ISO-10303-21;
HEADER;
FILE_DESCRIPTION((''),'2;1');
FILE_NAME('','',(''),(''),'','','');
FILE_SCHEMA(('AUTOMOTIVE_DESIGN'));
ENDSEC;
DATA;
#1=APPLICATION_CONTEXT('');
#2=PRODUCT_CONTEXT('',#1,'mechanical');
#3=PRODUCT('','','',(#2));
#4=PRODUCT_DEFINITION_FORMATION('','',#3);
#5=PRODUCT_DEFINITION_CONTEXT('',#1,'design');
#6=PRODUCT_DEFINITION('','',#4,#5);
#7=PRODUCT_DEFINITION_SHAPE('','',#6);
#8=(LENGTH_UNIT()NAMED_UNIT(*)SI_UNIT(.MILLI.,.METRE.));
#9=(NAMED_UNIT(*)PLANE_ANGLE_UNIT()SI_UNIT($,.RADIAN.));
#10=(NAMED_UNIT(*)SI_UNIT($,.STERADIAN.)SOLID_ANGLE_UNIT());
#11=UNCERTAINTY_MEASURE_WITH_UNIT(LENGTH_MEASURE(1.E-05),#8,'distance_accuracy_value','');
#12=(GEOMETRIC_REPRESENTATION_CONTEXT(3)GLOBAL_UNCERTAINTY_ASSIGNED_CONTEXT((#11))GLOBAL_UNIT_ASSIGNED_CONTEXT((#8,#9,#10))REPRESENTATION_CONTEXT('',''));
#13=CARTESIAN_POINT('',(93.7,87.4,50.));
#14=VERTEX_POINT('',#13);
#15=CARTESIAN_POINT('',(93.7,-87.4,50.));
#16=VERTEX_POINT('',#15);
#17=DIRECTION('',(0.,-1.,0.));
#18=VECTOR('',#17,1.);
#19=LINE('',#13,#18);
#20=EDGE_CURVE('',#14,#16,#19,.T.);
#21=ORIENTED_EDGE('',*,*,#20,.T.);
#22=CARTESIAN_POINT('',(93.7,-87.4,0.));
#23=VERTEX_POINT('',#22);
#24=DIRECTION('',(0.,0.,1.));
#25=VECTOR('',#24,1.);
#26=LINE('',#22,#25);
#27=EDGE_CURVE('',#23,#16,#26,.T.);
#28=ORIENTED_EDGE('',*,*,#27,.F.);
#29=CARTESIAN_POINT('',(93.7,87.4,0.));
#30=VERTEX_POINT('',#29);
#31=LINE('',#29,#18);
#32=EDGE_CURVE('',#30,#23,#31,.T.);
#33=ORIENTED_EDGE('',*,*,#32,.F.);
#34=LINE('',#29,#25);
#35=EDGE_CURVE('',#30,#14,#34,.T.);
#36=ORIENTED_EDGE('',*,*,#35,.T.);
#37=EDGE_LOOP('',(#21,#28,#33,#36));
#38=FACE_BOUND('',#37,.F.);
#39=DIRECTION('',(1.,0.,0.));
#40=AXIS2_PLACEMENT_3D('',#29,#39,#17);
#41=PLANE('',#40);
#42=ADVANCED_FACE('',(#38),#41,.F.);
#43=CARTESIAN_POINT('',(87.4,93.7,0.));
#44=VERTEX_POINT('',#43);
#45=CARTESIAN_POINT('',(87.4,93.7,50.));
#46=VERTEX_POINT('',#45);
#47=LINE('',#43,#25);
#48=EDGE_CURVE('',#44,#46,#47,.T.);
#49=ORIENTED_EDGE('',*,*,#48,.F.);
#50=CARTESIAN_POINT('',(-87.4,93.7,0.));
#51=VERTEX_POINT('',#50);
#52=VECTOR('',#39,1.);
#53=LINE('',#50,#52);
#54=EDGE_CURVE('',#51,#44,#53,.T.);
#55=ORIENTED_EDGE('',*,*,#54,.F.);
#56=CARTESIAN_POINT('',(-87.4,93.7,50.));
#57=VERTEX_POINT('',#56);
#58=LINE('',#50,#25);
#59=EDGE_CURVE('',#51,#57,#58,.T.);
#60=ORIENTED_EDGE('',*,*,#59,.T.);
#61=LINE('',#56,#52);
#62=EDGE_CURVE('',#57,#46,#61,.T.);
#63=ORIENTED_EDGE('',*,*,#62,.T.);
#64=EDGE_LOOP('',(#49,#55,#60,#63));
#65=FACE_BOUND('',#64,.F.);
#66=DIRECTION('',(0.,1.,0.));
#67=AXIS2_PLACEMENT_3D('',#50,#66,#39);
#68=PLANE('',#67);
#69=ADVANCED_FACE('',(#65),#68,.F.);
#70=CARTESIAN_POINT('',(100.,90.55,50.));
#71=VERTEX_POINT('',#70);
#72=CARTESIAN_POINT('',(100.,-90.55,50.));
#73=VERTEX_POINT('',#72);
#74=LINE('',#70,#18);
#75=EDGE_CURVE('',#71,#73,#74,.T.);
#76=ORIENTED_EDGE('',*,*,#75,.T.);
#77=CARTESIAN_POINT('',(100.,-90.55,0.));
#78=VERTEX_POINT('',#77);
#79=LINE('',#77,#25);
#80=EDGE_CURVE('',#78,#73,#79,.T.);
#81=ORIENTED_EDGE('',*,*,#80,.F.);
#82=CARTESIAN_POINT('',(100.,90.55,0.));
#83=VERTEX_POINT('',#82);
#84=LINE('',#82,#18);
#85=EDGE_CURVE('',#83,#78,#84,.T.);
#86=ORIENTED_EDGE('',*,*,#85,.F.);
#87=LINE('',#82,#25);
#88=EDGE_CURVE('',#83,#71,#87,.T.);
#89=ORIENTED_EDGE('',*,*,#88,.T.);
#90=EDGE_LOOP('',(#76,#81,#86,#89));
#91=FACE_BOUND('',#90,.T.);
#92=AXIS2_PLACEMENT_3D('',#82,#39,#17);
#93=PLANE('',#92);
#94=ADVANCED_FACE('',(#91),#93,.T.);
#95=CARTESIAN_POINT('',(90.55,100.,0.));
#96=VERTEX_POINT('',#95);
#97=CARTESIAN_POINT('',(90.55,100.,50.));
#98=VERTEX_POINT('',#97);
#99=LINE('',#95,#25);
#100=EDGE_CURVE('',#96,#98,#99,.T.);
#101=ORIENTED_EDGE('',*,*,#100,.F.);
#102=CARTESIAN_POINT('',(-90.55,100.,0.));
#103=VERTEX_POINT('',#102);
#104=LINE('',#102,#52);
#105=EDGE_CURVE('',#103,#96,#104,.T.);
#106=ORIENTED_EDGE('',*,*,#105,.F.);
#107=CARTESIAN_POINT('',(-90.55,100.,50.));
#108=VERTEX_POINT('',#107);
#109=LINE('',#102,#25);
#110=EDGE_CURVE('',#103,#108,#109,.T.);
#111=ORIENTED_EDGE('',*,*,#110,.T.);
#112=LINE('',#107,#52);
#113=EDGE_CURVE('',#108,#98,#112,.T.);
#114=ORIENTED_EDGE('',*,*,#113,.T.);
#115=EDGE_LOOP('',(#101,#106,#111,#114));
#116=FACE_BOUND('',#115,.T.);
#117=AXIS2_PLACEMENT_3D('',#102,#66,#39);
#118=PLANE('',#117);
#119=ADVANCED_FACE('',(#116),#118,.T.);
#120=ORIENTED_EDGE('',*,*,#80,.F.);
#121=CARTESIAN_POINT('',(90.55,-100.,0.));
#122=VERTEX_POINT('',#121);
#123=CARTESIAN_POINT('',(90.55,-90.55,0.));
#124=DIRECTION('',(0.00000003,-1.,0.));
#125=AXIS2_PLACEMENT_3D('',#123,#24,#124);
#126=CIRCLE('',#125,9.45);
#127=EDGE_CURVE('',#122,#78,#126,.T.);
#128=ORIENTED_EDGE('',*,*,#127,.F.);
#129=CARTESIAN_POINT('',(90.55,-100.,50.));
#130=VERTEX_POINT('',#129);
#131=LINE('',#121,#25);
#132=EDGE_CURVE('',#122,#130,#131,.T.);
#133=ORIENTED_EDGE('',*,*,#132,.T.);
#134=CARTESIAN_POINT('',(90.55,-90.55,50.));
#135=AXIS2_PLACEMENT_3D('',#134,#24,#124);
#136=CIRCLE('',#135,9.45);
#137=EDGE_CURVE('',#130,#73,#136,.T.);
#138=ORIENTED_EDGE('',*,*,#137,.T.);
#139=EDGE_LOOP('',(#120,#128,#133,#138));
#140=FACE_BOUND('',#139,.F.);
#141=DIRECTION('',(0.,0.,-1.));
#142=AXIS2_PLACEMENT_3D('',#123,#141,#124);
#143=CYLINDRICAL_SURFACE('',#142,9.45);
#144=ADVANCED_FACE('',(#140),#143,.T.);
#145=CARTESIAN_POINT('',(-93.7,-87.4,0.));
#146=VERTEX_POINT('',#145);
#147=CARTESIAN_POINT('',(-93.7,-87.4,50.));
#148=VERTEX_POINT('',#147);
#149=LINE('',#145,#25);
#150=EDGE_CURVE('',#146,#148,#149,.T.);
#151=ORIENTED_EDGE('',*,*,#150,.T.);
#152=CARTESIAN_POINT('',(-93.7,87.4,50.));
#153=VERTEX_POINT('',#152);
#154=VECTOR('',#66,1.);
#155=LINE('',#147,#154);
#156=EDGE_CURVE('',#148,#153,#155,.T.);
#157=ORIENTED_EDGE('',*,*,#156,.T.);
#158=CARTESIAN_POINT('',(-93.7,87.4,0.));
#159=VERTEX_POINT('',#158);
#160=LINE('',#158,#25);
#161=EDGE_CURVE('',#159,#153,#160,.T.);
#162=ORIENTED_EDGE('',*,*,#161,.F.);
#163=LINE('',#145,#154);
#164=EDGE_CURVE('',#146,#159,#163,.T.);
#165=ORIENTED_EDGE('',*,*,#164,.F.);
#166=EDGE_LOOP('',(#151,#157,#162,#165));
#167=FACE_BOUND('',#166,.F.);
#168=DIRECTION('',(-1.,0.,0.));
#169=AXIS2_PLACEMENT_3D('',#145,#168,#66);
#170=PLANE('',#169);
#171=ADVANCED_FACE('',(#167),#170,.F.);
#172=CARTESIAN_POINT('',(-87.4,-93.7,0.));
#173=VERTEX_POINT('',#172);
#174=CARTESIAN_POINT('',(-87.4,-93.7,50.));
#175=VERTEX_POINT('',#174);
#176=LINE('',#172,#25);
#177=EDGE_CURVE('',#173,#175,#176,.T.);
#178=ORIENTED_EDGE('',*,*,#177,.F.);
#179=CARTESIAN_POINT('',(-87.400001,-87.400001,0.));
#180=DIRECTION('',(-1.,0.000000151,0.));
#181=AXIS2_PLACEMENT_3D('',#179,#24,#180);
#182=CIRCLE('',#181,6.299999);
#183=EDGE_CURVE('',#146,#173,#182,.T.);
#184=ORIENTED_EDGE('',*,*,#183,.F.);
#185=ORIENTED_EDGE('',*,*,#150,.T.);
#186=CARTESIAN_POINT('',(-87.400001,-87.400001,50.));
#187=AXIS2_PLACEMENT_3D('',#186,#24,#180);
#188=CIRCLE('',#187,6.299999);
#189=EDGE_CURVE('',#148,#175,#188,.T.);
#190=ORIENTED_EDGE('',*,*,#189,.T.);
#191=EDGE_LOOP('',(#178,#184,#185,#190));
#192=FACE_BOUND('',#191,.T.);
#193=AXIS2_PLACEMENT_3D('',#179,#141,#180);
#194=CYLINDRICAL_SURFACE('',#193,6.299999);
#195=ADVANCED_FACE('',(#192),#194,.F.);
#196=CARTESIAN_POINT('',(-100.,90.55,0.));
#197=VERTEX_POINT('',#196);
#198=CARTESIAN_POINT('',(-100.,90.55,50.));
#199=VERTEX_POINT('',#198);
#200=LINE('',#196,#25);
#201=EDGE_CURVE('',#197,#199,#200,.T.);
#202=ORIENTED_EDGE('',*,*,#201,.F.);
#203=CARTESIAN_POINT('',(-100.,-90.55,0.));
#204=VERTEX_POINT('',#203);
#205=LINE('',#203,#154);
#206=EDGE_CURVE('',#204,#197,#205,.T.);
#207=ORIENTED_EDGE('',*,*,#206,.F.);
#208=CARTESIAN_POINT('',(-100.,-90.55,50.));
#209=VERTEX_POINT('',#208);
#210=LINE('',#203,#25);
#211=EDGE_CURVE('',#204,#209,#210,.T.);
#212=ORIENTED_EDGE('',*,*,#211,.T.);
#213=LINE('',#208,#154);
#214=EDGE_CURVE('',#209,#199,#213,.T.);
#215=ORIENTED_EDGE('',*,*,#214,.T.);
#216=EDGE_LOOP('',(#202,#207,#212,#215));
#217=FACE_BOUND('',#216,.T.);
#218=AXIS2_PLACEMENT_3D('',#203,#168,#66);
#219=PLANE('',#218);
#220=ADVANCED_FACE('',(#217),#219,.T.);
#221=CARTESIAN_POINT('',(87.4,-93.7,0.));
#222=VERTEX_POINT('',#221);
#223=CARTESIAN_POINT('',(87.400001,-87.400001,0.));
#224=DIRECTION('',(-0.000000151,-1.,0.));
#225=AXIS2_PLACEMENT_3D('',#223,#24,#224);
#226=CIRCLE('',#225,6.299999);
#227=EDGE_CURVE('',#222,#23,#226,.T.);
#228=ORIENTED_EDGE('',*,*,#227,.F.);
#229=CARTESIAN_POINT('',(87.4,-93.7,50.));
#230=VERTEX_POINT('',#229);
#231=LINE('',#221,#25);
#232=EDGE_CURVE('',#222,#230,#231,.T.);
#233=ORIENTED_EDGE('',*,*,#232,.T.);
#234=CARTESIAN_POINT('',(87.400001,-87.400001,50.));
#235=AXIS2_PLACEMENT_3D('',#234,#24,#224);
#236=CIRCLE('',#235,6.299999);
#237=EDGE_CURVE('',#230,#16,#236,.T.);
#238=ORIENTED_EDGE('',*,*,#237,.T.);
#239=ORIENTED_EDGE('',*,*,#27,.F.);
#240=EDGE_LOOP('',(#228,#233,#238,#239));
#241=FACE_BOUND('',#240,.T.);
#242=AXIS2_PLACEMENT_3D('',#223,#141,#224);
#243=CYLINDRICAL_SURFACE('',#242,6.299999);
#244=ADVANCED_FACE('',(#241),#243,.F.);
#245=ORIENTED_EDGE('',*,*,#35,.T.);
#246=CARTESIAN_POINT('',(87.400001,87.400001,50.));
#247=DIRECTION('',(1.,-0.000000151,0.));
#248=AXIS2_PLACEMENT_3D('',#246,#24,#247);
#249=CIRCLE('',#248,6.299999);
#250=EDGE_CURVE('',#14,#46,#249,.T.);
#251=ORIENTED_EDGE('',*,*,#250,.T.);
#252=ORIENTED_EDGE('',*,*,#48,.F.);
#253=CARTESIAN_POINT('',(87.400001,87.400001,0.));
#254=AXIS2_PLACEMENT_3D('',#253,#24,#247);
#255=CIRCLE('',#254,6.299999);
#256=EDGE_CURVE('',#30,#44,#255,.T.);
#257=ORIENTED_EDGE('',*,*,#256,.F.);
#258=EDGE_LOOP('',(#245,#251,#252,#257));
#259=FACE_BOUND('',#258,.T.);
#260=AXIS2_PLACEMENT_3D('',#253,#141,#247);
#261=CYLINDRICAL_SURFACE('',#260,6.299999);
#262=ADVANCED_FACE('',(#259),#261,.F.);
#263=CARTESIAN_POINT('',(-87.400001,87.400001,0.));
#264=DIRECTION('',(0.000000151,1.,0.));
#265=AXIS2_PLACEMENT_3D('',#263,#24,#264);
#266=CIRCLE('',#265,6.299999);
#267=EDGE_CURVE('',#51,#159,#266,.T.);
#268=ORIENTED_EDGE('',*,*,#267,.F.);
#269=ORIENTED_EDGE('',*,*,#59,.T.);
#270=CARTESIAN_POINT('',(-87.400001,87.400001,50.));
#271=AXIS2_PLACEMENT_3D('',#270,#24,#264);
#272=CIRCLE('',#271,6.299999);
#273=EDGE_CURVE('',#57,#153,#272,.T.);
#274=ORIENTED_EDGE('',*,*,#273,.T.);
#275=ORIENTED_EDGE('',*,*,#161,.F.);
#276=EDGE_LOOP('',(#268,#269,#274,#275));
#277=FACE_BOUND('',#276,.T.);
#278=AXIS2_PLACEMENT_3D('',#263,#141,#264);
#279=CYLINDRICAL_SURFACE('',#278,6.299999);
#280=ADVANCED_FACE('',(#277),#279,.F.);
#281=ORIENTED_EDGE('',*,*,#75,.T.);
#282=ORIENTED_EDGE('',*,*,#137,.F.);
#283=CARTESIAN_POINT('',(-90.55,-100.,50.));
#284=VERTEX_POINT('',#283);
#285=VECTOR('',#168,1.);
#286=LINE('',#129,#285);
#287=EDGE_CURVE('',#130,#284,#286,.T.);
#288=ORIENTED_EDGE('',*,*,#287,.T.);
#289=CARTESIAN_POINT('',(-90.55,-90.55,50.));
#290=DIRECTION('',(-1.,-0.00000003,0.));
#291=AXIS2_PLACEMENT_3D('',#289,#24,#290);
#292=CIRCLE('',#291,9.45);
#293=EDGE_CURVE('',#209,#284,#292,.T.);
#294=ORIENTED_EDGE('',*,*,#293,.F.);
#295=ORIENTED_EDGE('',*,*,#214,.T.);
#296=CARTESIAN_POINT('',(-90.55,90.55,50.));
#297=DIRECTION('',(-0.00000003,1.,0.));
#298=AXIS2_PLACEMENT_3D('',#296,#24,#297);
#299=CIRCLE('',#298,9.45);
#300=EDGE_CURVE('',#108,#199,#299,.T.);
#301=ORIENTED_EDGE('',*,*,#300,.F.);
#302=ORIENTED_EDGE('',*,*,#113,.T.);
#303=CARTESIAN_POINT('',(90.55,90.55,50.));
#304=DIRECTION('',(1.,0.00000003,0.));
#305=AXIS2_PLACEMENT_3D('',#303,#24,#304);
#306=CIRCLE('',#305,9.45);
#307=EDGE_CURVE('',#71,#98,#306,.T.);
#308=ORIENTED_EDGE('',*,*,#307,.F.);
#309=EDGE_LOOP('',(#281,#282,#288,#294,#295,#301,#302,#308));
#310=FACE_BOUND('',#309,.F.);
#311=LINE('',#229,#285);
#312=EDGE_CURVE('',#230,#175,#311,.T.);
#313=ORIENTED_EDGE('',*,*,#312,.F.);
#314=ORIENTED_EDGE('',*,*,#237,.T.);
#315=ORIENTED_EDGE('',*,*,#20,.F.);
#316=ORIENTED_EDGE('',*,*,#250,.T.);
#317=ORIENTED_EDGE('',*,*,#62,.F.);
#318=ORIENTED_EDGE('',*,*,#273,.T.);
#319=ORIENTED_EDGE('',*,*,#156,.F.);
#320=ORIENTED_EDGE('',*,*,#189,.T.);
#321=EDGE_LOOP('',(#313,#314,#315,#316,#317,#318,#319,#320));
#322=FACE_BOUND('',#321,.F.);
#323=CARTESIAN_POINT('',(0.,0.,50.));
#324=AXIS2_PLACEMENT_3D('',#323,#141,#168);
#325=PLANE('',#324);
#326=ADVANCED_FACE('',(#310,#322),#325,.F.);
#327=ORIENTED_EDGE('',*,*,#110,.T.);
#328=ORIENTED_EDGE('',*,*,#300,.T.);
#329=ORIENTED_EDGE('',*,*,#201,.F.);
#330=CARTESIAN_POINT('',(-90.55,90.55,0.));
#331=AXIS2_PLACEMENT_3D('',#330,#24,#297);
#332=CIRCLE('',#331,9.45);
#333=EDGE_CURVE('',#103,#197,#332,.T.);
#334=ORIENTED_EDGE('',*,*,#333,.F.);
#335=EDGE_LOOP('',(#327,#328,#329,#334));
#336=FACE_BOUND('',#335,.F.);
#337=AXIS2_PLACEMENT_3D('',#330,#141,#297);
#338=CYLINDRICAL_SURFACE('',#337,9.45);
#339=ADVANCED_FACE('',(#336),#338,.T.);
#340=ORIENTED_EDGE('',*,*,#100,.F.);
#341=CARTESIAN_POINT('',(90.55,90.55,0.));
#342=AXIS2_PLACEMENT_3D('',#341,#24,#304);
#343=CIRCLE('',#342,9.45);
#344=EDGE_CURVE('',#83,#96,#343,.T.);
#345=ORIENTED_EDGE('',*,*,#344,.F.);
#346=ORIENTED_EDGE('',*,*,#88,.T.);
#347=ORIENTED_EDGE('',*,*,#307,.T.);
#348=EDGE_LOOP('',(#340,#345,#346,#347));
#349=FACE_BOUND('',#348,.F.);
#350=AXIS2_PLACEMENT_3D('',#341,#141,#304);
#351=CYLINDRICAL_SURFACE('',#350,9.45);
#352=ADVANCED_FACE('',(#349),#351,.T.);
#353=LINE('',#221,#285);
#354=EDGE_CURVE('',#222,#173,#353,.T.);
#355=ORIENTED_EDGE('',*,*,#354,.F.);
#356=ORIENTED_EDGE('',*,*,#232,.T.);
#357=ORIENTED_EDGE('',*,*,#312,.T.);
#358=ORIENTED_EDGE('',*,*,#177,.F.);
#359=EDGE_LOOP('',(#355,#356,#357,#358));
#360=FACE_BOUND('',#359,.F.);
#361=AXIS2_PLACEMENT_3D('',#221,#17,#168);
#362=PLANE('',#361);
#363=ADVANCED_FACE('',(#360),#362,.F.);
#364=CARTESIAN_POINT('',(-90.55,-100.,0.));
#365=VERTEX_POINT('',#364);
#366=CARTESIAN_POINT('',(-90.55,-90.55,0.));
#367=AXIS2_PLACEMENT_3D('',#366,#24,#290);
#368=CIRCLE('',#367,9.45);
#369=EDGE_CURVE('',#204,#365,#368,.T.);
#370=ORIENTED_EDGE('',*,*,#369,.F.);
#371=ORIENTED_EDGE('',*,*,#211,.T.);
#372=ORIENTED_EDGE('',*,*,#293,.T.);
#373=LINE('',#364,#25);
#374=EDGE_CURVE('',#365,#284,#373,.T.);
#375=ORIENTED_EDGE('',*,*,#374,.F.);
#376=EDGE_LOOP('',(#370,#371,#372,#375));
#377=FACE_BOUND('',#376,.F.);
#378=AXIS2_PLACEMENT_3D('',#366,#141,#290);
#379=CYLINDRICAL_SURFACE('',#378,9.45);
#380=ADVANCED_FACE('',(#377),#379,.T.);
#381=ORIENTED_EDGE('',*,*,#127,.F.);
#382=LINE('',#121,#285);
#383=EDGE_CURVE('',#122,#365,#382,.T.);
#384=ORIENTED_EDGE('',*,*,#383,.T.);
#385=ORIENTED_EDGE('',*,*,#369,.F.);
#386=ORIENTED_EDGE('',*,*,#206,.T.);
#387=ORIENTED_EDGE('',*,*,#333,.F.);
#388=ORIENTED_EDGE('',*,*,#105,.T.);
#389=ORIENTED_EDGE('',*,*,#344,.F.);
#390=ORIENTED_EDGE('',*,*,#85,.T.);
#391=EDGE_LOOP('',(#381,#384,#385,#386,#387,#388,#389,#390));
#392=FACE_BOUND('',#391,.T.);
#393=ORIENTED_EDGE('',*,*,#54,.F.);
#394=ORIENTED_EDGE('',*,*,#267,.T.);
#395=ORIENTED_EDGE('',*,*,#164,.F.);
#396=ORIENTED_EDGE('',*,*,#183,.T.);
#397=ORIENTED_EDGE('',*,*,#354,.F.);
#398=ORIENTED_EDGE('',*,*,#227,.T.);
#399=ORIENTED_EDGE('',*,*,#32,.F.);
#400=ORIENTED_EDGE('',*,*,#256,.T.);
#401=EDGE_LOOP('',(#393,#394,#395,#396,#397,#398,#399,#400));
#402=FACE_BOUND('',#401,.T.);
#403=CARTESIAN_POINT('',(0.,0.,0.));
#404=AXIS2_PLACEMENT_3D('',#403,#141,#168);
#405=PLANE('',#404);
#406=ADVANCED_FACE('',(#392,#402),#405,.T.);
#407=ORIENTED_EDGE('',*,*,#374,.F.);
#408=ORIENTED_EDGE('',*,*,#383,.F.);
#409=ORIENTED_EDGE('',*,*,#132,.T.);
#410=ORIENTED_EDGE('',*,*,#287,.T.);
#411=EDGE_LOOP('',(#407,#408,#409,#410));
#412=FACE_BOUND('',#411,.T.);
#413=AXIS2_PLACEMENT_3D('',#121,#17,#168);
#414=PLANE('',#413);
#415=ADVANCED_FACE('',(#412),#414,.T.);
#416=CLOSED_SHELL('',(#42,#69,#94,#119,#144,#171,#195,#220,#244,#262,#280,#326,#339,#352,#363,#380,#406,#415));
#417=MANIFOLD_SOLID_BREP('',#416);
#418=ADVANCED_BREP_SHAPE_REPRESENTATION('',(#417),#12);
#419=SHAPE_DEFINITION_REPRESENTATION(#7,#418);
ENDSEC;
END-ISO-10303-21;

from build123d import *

# Parameters (mm, degrees)
EXTRUDE_DEPTH = 50


with BuildPart() as part:
    # Sketch → Extrude (new body)
    with BuildSketch(Plane.XY):
        with BuildLine():
            Line((-90.55, 100), (90.55, 100))
            ThreePointArc((100, 90.55), (97.232159, 97.232159), (90.55, 100))
            Line((100, 90.55), (100, -90.55))
            ThreePointArc((90.55, -100), (97.232159, -97.232159), (100, -90.55))
            Line((90.55, -100), (-90.55, -100))
            ThreePointArc((-100, -90.55), (-97.232159, -97.232159), (-90.55, -100))
            Line((-100, -90.55), (-100, 90.55))
            ThreePointArc((-90.55, 100), (-97.232159, 97.232159), (-100, 90.55))
        make_face()
        with BuildLine():
            Line((-87.4, 93.7), (87.4, 93.7))
            ThreePointArc((93.7, 87.4), (91.854773, 91.854773), (87.4, 93.7))
            Line((93.7, 87.4), (93.7, -87.4))
            ThreePointArc((87.4, -93.7), (91.854773, -91.854773), (93.7, -87.4))
            Line((87.4, -93.7), (-87.4, -93.7))
            ThreePointArc((-93.7, -87.4), (-91.854773, -91.854773), (-87.4, -93.7))
            Line((-93.7, -87.4), (-93.7, 87.4))
            ThreePointArc((-87.4, 93.7), (-91.854773, 91.854773), (-93.7, 87.4))
        make_face(mode=Mode.SUBTRACT)
    extrude(amount=EXTRUDE_DEPTH)


solid = part.part
